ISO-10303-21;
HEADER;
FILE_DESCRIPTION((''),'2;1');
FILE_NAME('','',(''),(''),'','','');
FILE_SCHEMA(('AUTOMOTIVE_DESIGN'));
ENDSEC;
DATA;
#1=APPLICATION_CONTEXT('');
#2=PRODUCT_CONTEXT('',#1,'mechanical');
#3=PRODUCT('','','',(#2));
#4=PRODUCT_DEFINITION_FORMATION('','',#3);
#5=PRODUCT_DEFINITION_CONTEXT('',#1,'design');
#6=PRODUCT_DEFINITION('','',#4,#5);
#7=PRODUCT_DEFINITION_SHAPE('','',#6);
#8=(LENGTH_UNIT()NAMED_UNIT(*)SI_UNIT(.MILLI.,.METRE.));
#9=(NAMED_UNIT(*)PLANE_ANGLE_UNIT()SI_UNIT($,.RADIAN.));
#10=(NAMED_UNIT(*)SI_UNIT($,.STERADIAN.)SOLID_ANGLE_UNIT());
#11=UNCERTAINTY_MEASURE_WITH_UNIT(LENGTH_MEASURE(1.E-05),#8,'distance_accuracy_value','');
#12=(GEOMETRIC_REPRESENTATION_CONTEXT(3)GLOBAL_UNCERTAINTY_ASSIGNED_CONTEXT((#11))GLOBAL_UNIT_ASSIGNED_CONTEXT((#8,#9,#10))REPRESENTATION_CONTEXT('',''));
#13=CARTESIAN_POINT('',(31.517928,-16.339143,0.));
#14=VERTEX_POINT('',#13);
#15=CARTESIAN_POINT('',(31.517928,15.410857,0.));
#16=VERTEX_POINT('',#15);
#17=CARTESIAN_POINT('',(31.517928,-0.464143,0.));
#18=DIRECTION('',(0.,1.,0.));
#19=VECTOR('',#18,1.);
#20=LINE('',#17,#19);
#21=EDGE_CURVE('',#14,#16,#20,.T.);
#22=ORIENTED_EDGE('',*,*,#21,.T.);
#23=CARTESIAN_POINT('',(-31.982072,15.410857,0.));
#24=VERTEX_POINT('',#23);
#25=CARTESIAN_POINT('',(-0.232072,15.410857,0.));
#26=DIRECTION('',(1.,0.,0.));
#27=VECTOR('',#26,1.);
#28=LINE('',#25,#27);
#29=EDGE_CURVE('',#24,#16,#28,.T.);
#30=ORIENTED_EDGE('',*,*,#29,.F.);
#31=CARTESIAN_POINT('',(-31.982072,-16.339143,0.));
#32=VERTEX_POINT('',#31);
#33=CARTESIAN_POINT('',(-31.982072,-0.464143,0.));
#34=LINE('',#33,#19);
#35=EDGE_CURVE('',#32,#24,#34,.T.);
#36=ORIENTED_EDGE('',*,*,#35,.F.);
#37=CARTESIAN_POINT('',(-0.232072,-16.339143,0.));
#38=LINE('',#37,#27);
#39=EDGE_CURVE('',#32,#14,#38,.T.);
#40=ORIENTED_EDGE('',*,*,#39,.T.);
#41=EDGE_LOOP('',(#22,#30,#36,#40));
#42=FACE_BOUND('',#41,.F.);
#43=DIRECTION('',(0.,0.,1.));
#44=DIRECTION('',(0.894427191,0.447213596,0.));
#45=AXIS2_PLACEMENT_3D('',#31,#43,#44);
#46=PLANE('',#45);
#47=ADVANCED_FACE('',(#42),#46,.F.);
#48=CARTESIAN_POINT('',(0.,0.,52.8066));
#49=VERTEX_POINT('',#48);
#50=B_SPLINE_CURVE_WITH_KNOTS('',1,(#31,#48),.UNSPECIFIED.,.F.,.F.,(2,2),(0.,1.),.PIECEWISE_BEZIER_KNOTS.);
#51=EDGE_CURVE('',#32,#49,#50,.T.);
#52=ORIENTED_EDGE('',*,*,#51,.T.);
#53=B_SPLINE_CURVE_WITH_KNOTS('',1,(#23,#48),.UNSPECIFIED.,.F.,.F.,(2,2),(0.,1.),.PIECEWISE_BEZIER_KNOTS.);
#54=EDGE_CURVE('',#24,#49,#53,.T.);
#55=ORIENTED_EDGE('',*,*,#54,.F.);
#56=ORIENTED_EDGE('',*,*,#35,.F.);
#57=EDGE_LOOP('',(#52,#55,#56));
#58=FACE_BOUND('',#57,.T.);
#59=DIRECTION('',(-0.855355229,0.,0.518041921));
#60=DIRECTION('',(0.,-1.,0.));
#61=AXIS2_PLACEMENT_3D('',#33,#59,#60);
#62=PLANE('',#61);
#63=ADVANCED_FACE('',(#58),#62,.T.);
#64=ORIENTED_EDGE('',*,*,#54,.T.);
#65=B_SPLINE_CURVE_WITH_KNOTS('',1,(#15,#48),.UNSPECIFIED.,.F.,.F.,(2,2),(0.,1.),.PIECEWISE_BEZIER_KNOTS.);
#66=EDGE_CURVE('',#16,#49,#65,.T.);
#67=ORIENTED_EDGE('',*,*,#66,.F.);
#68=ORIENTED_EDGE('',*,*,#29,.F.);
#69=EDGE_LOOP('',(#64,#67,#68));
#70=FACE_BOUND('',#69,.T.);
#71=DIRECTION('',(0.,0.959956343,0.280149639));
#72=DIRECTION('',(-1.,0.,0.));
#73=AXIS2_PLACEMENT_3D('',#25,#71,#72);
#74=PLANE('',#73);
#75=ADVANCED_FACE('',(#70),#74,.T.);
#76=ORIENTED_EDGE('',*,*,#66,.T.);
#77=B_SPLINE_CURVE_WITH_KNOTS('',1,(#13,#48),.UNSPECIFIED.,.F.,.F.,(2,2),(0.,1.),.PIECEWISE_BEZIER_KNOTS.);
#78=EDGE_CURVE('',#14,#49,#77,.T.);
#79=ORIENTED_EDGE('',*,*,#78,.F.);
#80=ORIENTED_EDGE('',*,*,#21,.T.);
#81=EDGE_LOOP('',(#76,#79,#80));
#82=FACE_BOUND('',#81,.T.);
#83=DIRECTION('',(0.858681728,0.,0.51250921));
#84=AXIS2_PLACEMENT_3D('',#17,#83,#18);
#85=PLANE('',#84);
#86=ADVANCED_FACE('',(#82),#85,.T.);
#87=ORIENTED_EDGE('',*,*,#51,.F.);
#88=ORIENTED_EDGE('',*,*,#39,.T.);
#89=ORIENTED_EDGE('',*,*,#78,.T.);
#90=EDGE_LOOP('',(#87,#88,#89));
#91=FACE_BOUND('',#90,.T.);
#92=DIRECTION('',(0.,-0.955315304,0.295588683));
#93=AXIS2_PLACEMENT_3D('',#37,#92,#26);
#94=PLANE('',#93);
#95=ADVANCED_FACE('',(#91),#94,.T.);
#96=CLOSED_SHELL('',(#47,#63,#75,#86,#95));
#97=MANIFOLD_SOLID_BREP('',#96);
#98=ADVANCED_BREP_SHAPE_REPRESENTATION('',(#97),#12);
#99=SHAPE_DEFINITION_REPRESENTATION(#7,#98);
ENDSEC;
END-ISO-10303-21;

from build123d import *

# Parameters (mm, degrees)
F0_W = 63.5
F0_H = 31.75


with BuildPart() as f2:
    # F0 (on Top) → F2 section 0
    with BuildSketch(Plane.XY, mode=Mode.PRIVATE) as f2_s0:
        with Locations((-0.232072, -0.464143)):
            Rectangle(F0_W, F0_H)
    loft([f2_s0.sketch, Vertex(0, 0, 52.8066)])


solid = f2.part
